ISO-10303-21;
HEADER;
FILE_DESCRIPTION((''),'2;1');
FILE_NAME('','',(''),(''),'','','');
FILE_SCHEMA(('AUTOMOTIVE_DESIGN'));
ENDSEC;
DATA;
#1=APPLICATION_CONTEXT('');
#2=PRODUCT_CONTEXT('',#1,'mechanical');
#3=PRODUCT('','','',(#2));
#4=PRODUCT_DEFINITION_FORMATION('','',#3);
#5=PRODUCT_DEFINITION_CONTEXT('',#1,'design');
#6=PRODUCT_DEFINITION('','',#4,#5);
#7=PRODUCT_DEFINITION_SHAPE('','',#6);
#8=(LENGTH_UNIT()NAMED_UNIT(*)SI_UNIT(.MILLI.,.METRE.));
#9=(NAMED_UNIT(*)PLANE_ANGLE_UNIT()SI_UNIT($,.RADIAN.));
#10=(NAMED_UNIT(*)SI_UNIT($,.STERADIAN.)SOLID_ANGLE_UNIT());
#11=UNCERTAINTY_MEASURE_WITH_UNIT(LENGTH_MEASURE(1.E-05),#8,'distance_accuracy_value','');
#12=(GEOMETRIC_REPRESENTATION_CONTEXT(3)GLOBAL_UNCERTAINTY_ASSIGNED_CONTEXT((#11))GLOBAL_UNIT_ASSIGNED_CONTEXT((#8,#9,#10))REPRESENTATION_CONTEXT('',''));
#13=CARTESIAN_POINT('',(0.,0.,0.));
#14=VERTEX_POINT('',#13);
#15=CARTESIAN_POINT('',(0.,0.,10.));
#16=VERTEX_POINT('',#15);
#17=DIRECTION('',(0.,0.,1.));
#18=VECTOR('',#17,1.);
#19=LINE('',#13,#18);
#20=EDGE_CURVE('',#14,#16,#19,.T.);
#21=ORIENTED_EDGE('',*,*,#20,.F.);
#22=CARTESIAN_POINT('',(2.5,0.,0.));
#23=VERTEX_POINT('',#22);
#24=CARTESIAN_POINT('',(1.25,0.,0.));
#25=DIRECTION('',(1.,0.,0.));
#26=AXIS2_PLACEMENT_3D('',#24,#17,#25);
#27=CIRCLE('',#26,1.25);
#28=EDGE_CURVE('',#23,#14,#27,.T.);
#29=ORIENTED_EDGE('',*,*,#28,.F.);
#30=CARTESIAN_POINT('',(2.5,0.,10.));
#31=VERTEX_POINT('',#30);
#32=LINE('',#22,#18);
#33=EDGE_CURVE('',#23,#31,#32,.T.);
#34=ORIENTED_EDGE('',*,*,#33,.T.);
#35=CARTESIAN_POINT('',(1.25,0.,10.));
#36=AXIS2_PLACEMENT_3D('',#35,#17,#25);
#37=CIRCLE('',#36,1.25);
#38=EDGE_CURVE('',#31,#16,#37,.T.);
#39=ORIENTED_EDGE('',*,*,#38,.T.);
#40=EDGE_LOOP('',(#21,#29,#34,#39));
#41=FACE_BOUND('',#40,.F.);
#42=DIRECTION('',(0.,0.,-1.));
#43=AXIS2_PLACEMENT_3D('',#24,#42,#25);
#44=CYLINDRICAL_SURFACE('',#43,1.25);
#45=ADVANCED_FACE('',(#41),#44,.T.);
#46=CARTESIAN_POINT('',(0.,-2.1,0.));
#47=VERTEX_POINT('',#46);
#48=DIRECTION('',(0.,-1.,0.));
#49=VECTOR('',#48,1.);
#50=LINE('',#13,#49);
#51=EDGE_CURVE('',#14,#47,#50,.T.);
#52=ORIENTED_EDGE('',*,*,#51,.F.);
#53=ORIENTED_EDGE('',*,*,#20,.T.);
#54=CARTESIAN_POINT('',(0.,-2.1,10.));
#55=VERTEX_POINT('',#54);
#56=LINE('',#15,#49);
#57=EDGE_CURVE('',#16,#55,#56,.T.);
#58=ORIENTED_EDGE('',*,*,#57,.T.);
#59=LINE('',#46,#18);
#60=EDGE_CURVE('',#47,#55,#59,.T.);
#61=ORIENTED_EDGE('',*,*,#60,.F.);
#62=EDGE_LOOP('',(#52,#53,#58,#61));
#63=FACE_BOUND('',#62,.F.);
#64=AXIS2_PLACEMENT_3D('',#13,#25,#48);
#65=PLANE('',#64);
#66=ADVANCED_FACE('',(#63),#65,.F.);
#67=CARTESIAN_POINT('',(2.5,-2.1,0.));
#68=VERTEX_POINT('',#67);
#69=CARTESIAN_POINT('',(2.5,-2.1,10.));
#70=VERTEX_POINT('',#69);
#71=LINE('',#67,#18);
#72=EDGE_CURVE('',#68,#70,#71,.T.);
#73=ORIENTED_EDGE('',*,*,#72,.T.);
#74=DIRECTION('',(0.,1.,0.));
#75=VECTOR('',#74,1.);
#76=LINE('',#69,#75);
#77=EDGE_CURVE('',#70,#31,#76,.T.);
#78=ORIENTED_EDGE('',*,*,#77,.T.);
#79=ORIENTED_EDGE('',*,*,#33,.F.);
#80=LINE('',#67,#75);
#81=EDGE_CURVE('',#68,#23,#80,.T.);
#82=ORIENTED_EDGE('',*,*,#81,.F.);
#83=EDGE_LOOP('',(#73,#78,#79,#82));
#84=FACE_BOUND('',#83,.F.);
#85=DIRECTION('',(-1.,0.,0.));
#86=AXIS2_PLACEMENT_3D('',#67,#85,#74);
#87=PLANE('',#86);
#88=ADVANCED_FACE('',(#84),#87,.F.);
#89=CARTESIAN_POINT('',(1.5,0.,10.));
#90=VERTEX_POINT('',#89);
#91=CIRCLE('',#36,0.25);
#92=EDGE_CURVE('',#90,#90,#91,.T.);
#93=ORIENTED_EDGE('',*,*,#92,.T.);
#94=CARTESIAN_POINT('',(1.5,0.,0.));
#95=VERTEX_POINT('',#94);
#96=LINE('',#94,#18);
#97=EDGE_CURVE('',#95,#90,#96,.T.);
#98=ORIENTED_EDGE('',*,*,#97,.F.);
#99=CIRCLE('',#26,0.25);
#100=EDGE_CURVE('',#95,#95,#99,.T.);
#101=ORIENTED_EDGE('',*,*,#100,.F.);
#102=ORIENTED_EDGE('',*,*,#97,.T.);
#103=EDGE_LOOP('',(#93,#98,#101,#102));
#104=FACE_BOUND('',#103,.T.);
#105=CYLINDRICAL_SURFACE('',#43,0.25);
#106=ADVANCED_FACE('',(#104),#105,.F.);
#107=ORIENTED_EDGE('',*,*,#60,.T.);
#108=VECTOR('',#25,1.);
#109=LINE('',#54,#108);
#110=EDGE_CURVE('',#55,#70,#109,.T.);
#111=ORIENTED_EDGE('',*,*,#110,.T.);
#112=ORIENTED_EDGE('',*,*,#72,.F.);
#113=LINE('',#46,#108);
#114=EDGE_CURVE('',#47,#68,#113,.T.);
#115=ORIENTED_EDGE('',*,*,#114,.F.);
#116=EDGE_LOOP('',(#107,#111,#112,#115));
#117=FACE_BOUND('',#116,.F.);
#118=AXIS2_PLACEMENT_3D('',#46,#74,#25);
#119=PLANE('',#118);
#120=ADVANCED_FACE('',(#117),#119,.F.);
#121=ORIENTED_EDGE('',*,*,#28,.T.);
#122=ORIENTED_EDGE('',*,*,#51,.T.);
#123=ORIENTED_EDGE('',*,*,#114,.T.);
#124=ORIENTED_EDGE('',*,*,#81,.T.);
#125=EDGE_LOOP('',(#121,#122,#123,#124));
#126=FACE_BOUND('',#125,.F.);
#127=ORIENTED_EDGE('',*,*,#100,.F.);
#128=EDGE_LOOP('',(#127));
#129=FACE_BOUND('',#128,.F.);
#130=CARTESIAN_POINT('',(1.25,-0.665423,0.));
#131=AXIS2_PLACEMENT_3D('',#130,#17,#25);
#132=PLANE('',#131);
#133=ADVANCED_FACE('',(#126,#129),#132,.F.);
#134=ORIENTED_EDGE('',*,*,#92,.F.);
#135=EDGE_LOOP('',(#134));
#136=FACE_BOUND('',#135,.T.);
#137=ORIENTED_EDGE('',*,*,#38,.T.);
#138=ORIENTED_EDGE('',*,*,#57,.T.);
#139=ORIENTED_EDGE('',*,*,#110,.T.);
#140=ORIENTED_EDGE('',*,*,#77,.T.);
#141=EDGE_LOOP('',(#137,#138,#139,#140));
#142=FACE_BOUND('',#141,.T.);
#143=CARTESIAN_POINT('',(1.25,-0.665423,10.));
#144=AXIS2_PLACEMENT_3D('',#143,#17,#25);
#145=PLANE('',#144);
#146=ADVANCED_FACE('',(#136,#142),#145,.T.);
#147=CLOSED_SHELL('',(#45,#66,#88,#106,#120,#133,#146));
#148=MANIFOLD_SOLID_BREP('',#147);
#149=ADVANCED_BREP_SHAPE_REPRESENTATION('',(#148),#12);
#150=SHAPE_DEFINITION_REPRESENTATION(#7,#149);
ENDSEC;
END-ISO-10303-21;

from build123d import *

# Parameters (mm, degrees)
SKETCH_R  = 0.25
PAD_DEPTH = 10


with BuildPart() as part:
    # Sketch → Pad (new body)
    with BuildSketch(Plane.XY):
        with BuildLine():
            Line((0, 0), (0, -2.1))
            Line((0, -2.1), (2.5, -2.1))
            Line((2.5, -2.1), (2.5, 0))
            ThreePointArc((2.5, 0), (1.25, 1.25), (0, 0))
        make_face()
        with Locations((1.25, 0)):
            Circle(SKETCH_R, mode=Mode.SUBTRACT)
    extrude(amount=PAD_DEPTH)


solid = part.part
